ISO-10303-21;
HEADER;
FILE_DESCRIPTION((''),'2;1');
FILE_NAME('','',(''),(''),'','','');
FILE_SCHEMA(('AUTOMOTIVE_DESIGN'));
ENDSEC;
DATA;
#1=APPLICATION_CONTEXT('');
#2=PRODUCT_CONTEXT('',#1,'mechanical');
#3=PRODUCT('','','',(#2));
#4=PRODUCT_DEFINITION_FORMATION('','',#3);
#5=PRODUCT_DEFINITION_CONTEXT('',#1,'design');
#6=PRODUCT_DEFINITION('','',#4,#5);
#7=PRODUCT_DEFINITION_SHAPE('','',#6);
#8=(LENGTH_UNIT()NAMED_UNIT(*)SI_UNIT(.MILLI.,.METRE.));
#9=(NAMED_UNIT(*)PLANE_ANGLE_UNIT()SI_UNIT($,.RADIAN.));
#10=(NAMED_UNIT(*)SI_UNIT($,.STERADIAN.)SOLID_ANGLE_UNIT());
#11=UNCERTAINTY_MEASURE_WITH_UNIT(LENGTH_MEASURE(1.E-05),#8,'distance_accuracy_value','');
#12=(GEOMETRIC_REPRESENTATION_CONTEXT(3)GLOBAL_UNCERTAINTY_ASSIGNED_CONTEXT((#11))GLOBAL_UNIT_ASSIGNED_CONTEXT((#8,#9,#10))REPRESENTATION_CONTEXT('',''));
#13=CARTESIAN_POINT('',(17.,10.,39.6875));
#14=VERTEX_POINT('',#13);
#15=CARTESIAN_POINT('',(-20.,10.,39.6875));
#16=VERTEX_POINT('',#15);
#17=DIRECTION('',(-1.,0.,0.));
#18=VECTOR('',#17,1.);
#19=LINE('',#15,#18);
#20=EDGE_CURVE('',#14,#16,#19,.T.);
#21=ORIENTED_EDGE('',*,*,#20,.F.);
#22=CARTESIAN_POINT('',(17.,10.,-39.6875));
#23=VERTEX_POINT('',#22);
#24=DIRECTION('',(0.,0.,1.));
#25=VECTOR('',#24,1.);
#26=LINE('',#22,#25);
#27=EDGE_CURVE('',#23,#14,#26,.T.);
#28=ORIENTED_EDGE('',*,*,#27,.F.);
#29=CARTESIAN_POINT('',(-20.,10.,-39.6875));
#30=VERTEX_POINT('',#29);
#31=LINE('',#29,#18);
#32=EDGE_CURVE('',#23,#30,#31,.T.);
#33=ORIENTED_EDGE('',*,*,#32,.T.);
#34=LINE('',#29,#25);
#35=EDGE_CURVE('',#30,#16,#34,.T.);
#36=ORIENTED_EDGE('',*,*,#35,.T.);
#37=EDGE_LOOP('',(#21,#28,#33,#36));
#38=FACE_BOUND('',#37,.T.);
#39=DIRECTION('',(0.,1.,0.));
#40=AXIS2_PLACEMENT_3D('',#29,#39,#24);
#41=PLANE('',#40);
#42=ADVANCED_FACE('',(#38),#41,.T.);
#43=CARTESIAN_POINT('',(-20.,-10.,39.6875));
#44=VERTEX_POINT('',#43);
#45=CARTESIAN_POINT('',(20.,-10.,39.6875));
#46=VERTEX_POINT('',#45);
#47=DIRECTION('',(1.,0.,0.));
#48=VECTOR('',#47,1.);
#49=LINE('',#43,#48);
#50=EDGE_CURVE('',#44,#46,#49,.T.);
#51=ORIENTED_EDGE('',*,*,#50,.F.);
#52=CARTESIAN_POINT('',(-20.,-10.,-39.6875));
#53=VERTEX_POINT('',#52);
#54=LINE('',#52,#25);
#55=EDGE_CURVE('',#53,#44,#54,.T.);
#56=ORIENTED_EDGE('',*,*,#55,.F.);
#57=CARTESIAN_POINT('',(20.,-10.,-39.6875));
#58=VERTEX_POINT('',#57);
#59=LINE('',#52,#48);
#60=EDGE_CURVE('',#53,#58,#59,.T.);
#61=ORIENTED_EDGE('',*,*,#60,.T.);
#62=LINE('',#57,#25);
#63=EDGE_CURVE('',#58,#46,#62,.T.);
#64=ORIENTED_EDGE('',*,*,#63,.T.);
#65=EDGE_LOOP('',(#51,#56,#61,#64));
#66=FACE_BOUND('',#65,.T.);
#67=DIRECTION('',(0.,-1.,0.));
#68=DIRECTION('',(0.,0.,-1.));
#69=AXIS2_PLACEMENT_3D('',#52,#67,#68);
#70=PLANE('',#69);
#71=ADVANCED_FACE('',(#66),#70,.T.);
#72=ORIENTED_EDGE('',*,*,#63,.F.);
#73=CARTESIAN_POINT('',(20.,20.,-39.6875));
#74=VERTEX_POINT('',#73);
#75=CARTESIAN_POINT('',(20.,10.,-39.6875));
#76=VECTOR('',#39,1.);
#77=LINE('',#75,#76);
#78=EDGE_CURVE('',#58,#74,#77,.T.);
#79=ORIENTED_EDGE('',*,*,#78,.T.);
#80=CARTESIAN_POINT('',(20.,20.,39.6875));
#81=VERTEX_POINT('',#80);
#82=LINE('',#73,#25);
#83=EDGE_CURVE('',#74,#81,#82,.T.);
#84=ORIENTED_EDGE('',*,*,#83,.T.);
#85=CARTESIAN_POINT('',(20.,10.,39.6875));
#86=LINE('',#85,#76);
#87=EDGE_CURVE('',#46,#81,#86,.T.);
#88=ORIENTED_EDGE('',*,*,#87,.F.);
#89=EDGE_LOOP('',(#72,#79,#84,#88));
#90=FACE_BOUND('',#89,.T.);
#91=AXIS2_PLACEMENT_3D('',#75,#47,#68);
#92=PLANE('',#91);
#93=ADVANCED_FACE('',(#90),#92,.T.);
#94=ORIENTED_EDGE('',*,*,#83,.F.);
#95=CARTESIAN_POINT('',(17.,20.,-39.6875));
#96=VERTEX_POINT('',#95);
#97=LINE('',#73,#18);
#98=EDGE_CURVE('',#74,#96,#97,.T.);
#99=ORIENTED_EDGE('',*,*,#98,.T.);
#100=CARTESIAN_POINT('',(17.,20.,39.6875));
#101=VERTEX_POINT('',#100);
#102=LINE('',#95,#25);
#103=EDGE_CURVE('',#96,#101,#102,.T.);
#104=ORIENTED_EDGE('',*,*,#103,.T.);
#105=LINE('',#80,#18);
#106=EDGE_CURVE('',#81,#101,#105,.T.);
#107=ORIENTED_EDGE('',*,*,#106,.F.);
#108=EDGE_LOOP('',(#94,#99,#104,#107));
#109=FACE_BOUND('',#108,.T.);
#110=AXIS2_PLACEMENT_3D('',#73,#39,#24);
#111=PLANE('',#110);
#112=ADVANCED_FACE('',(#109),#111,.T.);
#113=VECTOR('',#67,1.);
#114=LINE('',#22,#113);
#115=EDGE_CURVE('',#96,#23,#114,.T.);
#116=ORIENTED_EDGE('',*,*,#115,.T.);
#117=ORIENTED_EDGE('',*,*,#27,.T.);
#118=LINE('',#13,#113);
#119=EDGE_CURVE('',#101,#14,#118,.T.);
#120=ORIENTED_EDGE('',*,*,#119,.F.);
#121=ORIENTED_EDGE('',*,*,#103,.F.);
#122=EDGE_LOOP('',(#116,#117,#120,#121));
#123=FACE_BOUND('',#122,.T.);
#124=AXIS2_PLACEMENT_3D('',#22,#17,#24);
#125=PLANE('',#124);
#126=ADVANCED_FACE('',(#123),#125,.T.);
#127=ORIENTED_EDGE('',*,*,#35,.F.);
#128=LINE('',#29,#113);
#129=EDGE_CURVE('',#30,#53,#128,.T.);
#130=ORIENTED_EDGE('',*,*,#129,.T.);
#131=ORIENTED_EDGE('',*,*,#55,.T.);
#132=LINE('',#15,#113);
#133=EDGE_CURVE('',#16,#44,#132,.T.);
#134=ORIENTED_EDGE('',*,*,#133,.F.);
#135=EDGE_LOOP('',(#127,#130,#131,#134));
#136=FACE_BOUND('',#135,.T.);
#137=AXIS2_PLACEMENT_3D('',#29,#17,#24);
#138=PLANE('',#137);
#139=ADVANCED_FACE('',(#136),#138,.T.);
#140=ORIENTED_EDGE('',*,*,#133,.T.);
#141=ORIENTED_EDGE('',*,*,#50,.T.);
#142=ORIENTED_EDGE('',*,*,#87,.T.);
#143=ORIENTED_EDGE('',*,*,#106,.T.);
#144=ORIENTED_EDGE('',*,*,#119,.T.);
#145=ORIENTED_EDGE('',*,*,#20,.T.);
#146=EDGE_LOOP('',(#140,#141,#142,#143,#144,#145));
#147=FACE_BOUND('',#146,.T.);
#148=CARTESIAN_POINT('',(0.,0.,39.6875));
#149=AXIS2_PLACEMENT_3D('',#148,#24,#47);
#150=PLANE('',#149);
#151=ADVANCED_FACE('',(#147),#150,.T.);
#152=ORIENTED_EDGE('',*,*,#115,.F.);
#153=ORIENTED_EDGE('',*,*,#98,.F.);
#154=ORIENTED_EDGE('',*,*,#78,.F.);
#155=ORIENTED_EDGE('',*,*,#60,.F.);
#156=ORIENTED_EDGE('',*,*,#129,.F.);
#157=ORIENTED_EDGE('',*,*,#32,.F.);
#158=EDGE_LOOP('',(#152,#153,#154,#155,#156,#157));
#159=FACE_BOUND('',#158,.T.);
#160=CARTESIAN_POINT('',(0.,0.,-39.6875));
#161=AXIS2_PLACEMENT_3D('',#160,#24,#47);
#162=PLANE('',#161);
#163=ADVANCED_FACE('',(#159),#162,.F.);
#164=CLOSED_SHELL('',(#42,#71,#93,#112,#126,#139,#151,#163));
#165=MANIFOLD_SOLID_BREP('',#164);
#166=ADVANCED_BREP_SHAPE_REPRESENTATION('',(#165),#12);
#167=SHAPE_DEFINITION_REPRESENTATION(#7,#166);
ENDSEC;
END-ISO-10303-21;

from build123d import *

# Parameters (mm, degrees)
BOSS_EXTRUDE1_DEPTH      = 39.6875
BOSS_EXTRUDE1_DEPTH_BACK = 39.6875


with BuildPart() as part:
    # Sketch1 → Boss-Extrude1 (new, two sides: drawn at the far end of the back side and taken through both)
    with BuildSketch(Plane.XY.offset(-BOSS_EXTRUDE1_DEPTH_BACK)):
        Polygon((-20, 10), (17, 10), (17, 20), (20, 20), (20, 10), (20, -10), (-20, -10), align=None)
    extrude(amount=BOSS_EXTRUDE1_DEPTH + BOSS_EXTRUDE1_DEPTH_BACK)


solid = part.part
